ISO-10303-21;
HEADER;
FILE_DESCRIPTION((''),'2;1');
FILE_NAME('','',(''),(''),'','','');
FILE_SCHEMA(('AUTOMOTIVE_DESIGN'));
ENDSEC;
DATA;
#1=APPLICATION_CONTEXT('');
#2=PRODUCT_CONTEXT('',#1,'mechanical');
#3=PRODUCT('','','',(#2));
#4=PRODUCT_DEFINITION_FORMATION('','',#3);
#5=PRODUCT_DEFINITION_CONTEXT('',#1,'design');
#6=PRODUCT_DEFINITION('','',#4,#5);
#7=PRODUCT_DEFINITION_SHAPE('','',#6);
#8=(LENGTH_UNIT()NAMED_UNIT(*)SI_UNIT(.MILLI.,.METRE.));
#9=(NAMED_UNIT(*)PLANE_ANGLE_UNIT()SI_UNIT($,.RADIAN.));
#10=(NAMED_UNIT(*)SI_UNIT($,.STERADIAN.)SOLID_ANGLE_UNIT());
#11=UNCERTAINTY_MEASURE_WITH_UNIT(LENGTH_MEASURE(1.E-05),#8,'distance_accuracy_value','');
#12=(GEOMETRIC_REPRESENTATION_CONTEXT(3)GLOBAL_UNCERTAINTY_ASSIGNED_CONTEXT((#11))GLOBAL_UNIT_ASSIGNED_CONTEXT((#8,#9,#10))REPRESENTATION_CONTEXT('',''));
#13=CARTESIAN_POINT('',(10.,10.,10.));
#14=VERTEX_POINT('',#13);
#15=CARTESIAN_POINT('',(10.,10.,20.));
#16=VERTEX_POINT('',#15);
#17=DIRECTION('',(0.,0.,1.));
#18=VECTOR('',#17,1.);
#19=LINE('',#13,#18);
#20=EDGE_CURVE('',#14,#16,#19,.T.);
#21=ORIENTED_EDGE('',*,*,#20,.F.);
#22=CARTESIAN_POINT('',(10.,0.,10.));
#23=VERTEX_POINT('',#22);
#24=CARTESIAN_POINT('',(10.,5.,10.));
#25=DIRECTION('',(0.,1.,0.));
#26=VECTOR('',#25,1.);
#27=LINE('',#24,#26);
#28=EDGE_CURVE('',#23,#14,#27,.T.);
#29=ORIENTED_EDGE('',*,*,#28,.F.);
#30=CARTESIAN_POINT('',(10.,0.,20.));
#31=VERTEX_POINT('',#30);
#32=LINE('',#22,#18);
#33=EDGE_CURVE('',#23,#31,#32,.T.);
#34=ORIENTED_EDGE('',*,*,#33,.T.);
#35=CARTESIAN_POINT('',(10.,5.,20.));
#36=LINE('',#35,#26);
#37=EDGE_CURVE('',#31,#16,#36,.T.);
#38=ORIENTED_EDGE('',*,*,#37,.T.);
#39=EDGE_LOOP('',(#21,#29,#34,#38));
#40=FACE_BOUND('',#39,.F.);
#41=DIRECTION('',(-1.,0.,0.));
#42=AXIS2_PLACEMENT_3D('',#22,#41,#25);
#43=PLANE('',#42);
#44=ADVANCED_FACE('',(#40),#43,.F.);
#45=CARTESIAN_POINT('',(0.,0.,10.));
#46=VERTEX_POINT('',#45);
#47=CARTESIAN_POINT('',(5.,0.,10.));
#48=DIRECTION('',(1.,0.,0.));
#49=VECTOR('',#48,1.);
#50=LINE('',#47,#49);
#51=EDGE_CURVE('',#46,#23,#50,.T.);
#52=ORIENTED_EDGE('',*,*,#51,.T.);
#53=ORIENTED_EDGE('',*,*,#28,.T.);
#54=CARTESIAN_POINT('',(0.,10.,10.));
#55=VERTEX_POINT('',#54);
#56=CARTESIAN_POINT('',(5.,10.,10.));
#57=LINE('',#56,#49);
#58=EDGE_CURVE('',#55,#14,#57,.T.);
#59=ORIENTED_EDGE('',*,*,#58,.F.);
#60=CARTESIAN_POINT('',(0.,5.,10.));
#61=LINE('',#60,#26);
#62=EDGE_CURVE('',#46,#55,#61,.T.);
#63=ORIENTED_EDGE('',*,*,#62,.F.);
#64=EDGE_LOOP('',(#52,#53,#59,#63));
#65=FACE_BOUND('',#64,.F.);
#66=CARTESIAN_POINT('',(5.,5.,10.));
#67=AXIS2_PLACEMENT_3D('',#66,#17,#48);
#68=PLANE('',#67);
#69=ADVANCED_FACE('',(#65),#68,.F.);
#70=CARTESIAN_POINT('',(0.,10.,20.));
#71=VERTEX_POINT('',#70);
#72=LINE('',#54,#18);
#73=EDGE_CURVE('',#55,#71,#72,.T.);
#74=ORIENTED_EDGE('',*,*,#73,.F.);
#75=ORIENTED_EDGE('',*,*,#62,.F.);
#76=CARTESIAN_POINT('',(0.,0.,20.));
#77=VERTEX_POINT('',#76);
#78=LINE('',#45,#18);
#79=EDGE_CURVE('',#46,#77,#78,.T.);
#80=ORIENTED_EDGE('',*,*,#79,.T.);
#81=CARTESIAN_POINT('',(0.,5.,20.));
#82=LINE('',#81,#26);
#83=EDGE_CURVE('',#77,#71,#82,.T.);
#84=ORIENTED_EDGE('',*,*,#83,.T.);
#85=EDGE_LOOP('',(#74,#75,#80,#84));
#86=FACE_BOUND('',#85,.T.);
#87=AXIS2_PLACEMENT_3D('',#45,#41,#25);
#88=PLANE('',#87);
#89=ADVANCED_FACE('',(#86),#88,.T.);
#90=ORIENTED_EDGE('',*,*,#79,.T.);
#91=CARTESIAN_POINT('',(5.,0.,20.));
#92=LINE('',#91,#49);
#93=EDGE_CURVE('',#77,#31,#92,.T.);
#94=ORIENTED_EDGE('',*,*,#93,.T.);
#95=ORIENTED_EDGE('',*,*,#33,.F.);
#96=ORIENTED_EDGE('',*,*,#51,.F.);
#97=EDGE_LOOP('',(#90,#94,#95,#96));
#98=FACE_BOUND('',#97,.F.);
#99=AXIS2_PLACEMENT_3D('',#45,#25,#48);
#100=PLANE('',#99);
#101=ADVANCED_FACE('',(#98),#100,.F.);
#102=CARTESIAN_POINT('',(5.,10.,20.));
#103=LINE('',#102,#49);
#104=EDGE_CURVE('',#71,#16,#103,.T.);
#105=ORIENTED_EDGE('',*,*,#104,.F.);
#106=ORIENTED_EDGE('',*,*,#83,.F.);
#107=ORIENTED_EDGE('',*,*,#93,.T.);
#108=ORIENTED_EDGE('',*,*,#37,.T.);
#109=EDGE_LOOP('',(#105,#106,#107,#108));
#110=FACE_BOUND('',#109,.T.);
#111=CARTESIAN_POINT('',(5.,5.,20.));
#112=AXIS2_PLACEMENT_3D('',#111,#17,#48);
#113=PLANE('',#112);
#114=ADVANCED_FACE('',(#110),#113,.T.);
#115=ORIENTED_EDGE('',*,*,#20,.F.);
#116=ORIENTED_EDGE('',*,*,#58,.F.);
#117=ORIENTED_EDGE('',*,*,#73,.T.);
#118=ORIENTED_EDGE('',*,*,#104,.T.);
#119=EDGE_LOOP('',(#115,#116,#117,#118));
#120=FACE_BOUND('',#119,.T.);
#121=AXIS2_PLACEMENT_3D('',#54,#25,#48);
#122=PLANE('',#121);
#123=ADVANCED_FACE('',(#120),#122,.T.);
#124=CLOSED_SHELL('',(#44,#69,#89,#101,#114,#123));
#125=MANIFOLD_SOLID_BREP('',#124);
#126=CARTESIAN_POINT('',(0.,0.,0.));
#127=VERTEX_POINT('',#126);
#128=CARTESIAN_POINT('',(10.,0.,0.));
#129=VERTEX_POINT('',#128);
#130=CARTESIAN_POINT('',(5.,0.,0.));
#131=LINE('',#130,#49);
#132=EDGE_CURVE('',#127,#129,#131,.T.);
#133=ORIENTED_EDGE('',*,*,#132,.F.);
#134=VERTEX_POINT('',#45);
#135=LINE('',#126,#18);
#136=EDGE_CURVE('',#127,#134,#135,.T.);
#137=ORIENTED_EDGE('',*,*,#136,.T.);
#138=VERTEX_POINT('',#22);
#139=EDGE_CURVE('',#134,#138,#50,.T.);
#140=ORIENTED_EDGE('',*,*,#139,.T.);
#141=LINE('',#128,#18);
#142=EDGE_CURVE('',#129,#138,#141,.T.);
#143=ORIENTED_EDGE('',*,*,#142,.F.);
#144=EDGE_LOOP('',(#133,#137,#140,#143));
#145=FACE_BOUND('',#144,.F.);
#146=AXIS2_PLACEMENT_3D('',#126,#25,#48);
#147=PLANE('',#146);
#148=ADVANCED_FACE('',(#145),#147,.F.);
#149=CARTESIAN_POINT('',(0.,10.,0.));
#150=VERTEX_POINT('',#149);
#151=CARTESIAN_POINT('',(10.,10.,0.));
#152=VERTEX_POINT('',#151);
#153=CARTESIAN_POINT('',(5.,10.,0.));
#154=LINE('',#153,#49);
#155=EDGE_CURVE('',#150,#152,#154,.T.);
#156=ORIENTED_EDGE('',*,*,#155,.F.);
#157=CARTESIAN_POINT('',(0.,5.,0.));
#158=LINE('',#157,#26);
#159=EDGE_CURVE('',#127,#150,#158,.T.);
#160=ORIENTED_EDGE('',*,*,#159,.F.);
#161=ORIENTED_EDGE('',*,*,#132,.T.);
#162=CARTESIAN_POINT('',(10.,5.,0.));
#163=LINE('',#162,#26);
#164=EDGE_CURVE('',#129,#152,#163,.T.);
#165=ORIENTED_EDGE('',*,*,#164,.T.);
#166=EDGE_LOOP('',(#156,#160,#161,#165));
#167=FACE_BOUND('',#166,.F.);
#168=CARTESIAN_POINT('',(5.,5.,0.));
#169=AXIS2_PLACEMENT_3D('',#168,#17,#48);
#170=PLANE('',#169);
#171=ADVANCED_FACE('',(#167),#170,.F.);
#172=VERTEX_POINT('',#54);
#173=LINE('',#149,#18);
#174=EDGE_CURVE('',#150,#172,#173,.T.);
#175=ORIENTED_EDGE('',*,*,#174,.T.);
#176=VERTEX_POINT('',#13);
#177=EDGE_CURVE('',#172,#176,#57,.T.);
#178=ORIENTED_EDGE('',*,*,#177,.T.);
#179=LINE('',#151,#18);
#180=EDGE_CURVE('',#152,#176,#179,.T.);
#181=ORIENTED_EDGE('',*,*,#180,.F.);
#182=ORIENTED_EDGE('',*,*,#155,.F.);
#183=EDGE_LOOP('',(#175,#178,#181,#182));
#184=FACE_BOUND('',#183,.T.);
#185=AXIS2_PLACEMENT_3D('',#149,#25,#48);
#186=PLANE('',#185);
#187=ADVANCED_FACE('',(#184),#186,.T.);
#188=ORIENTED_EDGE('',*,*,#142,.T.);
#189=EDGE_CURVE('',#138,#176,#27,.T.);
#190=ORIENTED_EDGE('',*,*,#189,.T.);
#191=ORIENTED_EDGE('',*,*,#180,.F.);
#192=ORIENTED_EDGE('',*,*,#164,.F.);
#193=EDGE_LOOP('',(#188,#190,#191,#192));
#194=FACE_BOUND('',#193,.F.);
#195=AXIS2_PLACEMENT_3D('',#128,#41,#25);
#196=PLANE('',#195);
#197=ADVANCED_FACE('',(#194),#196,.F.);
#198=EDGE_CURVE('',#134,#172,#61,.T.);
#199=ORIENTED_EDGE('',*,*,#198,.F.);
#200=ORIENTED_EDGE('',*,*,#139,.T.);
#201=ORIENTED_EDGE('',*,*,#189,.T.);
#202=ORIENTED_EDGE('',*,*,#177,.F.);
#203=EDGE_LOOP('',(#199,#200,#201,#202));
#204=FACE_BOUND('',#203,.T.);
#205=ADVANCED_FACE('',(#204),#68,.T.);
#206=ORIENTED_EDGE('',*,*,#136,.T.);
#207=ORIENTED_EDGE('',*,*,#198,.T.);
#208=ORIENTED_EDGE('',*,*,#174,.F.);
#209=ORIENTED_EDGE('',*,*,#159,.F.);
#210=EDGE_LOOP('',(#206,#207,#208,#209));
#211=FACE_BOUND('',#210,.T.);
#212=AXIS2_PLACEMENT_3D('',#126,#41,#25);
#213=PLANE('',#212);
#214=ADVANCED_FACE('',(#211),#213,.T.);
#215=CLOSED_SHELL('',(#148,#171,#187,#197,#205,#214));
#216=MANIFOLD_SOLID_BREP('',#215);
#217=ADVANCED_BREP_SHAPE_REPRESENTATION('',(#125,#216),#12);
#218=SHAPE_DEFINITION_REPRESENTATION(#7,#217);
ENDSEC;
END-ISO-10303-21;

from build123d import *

# Parameters (mm, degrees)
BOX_W        = 10
BOX_H        = 10
BOX_DEPTH    = 10
BOX001_W     = 10
BOX001_H     = 10
BOX001_DEPTH = 10


with BuildPart() as box:
    # Box → Box (new body)
    with BuildSketch(Plane.XY.offset(10)):
        with Locations((5, 5)):
            Rectangle(BOX_W, BOX_H)
    extrude(amount=BOX_DEPTH)


with BuildPart() as box001:
    # Box001 → Box001 (new body)
    with BuildSketch(Plane.XY):
        with Locations((5, 5)):
            Rectangle(BOX001_W, BOX001_H)
    extrude(amount=BOX001_DEPTH)


solid = Compound([box.part, box001.part])
